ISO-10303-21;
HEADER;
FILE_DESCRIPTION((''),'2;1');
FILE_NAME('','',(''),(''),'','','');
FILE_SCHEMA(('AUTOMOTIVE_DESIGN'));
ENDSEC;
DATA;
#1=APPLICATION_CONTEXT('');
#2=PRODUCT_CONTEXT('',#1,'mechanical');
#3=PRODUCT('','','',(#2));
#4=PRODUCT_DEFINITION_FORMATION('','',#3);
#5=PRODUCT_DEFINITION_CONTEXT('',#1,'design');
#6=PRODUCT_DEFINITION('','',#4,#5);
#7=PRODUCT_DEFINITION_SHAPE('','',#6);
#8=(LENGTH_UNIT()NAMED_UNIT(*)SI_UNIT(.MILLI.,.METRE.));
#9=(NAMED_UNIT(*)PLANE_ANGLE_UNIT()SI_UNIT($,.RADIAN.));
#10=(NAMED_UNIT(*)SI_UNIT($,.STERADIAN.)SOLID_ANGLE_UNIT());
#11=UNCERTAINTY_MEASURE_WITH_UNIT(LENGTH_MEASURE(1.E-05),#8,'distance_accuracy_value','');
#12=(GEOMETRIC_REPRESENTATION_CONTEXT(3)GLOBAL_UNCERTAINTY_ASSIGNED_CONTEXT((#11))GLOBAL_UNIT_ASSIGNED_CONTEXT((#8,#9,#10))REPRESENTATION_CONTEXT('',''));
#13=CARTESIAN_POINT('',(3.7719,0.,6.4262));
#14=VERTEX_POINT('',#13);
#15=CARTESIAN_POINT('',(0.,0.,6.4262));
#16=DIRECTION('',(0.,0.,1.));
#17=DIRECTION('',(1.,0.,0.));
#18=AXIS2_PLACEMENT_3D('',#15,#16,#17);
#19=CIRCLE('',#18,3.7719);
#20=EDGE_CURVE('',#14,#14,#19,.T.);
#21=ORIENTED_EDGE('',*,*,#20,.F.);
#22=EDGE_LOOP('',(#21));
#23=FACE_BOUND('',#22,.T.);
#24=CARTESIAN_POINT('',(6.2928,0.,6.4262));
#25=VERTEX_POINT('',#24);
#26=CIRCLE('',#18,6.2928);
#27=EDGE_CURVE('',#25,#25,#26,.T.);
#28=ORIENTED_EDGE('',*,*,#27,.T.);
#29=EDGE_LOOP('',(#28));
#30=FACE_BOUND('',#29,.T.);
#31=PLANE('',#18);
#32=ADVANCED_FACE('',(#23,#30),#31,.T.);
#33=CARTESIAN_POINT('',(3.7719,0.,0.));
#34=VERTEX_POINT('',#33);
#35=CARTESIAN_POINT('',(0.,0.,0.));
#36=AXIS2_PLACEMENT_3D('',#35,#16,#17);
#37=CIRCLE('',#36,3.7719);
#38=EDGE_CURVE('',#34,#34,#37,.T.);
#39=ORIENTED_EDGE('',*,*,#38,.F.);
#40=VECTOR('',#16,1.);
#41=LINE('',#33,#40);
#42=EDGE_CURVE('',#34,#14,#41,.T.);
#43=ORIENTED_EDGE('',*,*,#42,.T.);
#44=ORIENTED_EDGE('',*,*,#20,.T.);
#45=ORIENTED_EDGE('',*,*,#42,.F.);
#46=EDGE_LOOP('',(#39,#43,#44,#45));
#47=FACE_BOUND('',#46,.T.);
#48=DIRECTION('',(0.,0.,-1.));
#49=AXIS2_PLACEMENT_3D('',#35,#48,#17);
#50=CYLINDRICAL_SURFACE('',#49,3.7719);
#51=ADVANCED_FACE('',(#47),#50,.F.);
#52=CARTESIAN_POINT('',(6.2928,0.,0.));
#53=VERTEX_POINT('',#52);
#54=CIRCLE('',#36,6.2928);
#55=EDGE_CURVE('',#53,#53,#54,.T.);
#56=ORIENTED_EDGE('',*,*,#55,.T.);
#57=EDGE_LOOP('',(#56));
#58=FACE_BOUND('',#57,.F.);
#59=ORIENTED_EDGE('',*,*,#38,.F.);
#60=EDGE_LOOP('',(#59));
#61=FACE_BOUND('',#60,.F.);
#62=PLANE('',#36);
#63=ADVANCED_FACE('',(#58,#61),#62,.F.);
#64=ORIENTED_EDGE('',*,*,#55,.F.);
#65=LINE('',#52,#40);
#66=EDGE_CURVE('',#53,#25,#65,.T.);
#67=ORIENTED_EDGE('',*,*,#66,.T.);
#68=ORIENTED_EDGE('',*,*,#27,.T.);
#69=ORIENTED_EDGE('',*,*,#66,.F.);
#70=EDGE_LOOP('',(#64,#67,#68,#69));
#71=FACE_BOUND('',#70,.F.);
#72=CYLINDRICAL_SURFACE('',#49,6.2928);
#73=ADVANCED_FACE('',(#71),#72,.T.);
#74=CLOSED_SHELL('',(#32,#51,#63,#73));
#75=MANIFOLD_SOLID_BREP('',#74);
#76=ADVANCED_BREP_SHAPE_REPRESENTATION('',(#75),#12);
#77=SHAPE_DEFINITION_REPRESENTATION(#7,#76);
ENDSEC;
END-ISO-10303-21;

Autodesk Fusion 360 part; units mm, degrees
sketch "Sketch1" plane through (0, 0, 0) normal (0, 0, 1) x (1, 0, 0)
  circle A0 centre (0, 0) radius 6.2928
  circle A1 centre (0, 0) radius 3.7719
  dimension "d1" = 12.5857
  dimension "d2" = 7.5438
extrude "Extrude1" add sketch "Sketch1" along normal blind 6.4262
